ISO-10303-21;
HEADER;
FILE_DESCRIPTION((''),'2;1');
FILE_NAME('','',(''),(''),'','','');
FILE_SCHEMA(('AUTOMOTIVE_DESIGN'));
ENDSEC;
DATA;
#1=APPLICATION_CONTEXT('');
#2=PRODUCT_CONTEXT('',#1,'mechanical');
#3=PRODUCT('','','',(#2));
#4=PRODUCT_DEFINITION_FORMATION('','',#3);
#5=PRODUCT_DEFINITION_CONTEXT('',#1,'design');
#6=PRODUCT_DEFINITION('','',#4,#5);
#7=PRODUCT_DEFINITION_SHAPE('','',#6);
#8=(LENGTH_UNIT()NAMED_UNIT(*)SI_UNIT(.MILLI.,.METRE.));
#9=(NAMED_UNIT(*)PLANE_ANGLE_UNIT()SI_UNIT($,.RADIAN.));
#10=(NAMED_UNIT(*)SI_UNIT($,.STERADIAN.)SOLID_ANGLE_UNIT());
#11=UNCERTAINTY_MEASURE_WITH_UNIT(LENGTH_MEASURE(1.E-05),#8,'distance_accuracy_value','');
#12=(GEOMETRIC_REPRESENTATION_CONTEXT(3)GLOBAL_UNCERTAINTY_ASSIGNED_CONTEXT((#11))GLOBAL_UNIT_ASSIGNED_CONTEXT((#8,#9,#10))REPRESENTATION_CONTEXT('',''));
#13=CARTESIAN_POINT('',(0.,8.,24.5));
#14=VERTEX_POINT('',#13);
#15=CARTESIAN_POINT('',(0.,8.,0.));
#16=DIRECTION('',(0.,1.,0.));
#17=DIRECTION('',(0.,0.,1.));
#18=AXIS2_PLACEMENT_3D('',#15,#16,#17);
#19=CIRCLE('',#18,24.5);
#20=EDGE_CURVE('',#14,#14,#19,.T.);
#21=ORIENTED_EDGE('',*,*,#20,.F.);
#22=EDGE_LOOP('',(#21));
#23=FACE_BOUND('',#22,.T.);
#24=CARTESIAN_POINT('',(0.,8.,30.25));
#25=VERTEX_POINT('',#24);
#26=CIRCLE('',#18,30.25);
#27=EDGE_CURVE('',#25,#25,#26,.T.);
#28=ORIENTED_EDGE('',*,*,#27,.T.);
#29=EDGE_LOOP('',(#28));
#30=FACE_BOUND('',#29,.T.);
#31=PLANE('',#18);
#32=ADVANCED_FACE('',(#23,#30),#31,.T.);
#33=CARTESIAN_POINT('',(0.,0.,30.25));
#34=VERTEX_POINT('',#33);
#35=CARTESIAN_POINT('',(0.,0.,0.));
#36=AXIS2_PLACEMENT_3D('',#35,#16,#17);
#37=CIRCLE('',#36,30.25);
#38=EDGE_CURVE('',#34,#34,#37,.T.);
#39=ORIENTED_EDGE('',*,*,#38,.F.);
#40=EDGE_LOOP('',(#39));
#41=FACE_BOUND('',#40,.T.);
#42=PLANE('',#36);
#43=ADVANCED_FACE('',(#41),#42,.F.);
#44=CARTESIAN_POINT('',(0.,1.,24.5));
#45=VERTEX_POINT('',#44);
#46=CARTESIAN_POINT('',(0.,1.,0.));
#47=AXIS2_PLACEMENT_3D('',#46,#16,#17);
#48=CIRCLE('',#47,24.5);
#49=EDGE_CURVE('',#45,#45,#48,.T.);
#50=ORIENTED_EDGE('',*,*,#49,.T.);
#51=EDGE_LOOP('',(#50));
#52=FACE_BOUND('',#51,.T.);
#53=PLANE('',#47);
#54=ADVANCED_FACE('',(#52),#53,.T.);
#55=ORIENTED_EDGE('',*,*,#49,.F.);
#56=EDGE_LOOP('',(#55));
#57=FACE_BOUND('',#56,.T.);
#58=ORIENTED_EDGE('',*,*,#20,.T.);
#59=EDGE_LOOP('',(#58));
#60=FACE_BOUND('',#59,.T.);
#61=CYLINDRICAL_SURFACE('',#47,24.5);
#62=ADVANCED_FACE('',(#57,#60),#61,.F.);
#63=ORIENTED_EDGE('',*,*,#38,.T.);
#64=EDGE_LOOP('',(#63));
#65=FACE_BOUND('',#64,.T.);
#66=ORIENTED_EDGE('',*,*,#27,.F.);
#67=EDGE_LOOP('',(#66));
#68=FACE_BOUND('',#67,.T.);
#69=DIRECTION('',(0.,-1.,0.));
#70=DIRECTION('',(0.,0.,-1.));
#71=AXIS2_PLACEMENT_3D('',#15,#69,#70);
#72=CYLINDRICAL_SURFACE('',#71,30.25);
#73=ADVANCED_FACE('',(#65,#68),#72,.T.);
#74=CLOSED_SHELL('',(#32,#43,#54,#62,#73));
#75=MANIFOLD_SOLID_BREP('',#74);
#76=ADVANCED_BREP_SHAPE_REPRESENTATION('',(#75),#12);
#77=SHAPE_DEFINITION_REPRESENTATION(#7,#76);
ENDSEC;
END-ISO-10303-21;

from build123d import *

# Parameters (mm, degrees)
SKETCH1_R           = 30.25
BOSS_EXTRUDE1_DEPTH = 8
SKETCH2_R           = 24.5
CUT_EXTRUDE7_DEPTH  = 7


with BuildPart() as part:
    # Sketch1 → Boss-Extrude1 (new body)
    with BuildSketch(Plane(origin=(0, 0, 0), x_dir=(1, 0, 0), z_dir=(0, 1, 0))):
        with Locations(Location((0, 0, 0), (0, 0, 270))):
            Circle(SKETCH1_R)
    extrude(amount=BOSS_EXTRUDE1_DEPTH)

    # Sketch2 → Cut-Extrude7 (cut)
    with BuildSketch(Plane(origin=(0, 8, 0), x_dir=(1, 0, 0), z_dir=(0, 1, 0))):
        with Locations(Location((0, 0, 0), (0, 0, 270))):
            Circle(SKETCH2_R)
    extrude(amount=-CUT_EXTRUDE7_DEPTH, mode=Mode.SUBTRACT)


solid = part.part
